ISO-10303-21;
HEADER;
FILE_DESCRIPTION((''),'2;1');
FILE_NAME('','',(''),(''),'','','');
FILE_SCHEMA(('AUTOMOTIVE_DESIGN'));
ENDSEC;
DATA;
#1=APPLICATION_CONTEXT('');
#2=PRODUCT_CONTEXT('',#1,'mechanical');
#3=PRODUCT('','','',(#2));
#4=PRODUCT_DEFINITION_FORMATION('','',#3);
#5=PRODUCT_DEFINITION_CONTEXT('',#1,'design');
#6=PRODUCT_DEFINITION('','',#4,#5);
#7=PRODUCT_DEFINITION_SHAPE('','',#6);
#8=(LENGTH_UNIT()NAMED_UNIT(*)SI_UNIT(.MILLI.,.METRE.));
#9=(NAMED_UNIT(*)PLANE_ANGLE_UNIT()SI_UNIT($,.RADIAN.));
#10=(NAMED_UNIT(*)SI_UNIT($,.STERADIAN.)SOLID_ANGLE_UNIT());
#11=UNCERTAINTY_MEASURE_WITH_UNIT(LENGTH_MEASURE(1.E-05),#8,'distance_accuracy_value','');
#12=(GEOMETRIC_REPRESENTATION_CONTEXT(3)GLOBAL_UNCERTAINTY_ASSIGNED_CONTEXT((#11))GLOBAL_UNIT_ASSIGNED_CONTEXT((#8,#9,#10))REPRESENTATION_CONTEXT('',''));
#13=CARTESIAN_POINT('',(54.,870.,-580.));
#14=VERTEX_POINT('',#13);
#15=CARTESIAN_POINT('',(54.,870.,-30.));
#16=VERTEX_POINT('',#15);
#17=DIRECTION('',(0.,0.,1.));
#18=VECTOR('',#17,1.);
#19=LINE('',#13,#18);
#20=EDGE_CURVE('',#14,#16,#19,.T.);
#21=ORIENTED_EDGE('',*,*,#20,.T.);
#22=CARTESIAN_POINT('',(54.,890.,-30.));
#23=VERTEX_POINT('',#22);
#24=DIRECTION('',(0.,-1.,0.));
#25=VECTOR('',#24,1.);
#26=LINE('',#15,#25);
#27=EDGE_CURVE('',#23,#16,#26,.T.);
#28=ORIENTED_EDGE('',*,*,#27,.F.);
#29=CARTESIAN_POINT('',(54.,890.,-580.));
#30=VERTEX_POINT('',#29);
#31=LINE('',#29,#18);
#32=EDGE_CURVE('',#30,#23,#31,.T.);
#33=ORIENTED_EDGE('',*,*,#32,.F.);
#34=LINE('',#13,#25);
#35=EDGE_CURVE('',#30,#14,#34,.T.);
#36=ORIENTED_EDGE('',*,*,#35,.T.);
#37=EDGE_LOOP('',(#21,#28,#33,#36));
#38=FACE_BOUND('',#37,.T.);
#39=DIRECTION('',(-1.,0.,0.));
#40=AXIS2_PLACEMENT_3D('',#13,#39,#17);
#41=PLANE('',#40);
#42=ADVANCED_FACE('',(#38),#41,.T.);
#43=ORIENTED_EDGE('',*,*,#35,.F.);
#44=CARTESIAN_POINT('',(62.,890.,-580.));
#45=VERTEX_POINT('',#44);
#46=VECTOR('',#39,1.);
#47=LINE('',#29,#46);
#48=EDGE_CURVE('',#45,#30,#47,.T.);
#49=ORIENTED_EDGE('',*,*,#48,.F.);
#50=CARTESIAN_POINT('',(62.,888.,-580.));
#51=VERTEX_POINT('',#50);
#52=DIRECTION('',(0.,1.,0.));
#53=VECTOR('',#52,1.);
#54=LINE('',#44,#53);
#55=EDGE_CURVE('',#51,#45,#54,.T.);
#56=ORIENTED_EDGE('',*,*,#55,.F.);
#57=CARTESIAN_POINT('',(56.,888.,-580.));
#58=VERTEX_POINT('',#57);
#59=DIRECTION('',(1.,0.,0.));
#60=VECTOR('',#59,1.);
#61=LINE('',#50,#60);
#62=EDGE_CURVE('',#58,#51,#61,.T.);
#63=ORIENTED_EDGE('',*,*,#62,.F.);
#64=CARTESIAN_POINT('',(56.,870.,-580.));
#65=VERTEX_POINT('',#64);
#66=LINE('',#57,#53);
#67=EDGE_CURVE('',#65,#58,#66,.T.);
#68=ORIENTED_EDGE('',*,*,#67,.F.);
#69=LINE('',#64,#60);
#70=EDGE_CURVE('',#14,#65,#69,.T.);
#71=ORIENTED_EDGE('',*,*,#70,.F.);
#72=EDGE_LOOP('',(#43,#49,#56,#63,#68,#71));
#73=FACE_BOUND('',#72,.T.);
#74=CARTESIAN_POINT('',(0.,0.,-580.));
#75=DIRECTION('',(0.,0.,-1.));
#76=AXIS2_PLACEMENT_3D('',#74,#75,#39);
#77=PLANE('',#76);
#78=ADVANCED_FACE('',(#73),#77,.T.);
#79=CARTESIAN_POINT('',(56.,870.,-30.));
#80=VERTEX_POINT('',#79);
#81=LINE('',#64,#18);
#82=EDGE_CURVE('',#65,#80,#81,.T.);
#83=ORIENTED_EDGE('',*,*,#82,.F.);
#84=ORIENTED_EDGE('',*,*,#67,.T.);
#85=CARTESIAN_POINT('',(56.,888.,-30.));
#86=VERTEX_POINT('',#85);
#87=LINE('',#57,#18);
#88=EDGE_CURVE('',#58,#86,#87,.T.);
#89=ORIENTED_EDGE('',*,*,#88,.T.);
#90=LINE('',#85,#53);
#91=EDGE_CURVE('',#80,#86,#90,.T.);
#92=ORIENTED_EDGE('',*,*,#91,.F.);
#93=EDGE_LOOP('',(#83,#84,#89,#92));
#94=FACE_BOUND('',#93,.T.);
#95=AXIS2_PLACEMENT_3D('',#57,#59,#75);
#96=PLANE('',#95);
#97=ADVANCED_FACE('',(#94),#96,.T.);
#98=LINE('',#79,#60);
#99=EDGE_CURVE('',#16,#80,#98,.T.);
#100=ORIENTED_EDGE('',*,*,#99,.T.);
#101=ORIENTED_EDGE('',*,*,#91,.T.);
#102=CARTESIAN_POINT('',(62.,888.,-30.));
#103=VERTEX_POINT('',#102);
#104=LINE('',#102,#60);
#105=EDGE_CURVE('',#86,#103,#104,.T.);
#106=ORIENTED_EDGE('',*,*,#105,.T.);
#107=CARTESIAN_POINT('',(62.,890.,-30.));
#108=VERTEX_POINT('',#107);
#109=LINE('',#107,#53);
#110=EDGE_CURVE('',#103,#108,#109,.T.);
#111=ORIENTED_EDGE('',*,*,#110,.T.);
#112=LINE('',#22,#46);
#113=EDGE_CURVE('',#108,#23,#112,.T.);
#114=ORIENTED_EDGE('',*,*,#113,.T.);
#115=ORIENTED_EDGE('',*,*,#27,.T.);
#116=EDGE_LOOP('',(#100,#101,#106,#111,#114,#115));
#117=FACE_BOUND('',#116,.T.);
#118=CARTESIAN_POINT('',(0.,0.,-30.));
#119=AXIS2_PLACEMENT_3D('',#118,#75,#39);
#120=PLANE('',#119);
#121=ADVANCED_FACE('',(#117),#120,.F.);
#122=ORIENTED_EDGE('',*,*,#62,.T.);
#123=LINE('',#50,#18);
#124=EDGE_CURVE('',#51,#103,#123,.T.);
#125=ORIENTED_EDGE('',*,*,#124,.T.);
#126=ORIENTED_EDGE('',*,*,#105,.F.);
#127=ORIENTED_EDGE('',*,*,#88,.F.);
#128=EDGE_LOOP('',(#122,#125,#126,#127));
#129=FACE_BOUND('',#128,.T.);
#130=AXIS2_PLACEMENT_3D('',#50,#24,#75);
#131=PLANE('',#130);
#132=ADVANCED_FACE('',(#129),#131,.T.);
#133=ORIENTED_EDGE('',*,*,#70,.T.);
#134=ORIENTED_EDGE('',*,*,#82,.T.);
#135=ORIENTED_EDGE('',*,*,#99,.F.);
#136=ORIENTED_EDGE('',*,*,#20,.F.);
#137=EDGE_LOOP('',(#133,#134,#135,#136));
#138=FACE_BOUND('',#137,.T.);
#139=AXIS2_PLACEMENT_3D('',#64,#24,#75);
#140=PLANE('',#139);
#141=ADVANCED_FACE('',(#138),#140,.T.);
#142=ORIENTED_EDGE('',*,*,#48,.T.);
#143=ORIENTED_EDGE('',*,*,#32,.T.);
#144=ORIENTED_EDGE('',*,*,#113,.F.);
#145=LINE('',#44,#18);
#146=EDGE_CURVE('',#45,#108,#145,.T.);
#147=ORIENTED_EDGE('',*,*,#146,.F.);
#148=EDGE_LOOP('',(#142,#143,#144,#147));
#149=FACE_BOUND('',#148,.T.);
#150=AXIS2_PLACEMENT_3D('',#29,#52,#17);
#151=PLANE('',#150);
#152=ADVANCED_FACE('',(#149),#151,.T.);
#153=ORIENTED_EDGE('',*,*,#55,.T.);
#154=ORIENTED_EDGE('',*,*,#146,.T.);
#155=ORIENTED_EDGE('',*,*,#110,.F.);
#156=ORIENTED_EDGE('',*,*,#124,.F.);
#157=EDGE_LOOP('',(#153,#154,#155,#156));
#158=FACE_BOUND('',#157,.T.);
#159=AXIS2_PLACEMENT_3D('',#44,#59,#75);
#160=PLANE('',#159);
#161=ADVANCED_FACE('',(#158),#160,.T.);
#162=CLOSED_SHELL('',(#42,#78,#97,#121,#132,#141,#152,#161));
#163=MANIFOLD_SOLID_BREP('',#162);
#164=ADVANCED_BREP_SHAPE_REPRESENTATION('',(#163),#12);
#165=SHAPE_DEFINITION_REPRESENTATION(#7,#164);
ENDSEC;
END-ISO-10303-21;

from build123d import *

# Parameters (mm, degrees)
OVEN_YAG_KABI_L_RAF_SOL_1_START = -30
OVEN_YAG_KABI_L_RAF_SOL_1_DEPTH = 550


with BuildPart() as part:
    # Sketch1 → OVEN_yag_kabi_L_raf_sol_1 (new body)
    with BuildSketch(Plane.XY.offset(OVEN_YAG_KABI_L_RAF_SOL_1_START)):
        Polygon((56, 870), (54, 870), (54, 890), (62, 890), (62, 888), (56, 888), align=None)
    extrude(amount=-OVEN_YAG_KABI_L_RAF_SOL_1_DEPTH)


solid = part.part
